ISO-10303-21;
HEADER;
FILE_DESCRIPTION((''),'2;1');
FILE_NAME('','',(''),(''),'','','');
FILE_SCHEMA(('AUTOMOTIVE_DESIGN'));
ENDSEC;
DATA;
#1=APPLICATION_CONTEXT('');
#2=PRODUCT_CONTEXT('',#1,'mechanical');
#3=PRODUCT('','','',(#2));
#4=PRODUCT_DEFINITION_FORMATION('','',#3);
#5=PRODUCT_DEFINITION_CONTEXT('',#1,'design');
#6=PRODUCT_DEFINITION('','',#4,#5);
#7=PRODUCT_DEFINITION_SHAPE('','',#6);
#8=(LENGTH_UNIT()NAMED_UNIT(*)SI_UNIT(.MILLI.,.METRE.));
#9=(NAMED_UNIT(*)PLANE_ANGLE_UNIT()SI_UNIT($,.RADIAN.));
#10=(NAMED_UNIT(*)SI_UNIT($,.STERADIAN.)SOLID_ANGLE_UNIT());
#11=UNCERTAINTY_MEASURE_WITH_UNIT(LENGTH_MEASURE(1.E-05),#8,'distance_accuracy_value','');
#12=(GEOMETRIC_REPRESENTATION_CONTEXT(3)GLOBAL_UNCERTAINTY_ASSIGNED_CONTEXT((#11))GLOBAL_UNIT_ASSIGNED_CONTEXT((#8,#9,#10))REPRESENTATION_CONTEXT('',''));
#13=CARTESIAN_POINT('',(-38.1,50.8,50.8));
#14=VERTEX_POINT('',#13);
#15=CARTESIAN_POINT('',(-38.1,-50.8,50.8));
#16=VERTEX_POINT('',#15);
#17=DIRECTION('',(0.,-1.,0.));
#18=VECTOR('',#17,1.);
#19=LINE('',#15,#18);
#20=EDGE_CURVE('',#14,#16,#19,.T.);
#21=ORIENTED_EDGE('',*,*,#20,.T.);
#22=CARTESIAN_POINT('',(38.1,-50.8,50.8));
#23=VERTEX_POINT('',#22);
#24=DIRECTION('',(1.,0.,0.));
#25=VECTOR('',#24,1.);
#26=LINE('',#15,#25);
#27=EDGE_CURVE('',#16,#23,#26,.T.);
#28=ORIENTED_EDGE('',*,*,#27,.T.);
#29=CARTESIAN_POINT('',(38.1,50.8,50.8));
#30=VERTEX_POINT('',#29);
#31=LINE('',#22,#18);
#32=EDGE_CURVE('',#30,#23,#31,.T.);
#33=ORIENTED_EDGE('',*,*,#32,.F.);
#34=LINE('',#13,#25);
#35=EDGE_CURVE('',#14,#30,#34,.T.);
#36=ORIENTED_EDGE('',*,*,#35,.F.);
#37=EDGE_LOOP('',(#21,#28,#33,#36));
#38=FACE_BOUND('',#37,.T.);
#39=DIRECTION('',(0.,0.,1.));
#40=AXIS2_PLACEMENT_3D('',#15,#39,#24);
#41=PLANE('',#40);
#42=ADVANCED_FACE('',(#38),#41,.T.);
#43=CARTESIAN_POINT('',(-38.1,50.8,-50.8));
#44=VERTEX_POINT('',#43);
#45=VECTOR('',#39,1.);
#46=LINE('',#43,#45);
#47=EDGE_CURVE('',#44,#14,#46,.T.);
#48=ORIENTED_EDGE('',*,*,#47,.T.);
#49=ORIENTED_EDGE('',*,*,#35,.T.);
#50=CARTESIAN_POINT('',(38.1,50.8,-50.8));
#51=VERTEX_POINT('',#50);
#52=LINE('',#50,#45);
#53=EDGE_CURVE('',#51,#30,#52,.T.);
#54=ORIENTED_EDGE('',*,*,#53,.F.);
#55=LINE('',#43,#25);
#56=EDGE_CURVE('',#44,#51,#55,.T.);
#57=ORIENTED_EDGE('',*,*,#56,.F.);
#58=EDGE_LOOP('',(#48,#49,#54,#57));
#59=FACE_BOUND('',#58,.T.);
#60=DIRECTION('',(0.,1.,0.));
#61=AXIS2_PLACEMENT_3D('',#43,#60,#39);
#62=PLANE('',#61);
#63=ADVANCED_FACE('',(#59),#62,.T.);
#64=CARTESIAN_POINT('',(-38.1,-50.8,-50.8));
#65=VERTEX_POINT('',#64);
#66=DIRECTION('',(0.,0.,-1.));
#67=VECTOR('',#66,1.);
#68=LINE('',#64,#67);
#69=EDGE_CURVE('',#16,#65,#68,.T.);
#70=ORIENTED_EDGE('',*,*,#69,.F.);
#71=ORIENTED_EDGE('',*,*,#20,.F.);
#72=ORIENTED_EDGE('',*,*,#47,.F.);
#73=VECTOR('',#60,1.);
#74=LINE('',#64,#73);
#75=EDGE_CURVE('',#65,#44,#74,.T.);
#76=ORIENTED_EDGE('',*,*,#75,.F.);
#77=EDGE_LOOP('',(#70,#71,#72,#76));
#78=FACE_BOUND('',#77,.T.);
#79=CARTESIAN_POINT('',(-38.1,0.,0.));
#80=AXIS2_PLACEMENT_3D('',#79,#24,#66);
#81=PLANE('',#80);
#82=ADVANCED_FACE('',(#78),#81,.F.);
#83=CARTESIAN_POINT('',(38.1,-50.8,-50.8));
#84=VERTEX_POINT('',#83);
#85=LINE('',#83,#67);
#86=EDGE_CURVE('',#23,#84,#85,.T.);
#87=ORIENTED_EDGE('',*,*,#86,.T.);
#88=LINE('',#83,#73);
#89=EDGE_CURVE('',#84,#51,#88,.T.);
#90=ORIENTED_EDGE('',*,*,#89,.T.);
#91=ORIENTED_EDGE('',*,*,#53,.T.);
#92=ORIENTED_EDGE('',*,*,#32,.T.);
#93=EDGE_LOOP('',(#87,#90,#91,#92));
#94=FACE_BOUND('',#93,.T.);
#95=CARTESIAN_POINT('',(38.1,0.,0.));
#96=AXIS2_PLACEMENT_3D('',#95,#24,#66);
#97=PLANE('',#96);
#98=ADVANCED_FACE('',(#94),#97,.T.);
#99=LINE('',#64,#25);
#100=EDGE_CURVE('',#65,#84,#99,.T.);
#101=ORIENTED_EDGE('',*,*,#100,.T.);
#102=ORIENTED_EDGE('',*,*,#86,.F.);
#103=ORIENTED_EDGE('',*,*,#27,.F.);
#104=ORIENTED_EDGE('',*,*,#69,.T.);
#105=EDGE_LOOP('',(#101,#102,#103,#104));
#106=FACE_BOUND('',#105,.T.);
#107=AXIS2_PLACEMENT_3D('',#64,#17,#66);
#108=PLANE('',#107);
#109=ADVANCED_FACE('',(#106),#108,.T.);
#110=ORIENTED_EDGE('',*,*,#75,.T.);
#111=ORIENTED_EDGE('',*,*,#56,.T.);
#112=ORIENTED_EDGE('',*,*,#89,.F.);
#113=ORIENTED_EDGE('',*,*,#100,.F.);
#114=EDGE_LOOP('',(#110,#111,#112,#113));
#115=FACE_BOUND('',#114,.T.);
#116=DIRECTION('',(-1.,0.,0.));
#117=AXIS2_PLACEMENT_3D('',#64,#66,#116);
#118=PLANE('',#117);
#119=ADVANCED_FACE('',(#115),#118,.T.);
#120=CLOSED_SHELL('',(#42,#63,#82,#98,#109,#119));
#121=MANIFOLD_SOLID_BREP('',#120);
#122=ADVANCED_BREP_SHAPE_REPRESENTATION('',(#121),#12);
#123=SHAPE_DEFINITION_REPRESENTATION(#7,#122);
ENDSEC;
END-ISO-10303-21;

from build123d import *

# Parameters (mm, degrees)
BOSS_EXTRUDE1_DEPTH      = 38.1
BOSS_EXTRUDE1_DEPTH_BACK = 38.1
SKETCH1_W                = 101.6
SKETCH1_H                = 101.6


with BuildPart() as part:
    # Sketch1 → Boss-Extrude1 (new, two sides: drawn at the far end of the back side and taken through both)
    with BuildSketch(Plane(origin=(0, 0, 0), x_dir=(0, 0, -1), z_dir=(1, 0, 0)).offset(-BOSS_EXTRUDE1_DEPTH_BACK)):
        Rectangle(SKETCH1_W, SKETCH1_H)
    extrude(amount=BOSS_EXTRUDE1_DEPTH + BOSS_EXTRUDE1_DEPTH_BACK)


solid = part.part
